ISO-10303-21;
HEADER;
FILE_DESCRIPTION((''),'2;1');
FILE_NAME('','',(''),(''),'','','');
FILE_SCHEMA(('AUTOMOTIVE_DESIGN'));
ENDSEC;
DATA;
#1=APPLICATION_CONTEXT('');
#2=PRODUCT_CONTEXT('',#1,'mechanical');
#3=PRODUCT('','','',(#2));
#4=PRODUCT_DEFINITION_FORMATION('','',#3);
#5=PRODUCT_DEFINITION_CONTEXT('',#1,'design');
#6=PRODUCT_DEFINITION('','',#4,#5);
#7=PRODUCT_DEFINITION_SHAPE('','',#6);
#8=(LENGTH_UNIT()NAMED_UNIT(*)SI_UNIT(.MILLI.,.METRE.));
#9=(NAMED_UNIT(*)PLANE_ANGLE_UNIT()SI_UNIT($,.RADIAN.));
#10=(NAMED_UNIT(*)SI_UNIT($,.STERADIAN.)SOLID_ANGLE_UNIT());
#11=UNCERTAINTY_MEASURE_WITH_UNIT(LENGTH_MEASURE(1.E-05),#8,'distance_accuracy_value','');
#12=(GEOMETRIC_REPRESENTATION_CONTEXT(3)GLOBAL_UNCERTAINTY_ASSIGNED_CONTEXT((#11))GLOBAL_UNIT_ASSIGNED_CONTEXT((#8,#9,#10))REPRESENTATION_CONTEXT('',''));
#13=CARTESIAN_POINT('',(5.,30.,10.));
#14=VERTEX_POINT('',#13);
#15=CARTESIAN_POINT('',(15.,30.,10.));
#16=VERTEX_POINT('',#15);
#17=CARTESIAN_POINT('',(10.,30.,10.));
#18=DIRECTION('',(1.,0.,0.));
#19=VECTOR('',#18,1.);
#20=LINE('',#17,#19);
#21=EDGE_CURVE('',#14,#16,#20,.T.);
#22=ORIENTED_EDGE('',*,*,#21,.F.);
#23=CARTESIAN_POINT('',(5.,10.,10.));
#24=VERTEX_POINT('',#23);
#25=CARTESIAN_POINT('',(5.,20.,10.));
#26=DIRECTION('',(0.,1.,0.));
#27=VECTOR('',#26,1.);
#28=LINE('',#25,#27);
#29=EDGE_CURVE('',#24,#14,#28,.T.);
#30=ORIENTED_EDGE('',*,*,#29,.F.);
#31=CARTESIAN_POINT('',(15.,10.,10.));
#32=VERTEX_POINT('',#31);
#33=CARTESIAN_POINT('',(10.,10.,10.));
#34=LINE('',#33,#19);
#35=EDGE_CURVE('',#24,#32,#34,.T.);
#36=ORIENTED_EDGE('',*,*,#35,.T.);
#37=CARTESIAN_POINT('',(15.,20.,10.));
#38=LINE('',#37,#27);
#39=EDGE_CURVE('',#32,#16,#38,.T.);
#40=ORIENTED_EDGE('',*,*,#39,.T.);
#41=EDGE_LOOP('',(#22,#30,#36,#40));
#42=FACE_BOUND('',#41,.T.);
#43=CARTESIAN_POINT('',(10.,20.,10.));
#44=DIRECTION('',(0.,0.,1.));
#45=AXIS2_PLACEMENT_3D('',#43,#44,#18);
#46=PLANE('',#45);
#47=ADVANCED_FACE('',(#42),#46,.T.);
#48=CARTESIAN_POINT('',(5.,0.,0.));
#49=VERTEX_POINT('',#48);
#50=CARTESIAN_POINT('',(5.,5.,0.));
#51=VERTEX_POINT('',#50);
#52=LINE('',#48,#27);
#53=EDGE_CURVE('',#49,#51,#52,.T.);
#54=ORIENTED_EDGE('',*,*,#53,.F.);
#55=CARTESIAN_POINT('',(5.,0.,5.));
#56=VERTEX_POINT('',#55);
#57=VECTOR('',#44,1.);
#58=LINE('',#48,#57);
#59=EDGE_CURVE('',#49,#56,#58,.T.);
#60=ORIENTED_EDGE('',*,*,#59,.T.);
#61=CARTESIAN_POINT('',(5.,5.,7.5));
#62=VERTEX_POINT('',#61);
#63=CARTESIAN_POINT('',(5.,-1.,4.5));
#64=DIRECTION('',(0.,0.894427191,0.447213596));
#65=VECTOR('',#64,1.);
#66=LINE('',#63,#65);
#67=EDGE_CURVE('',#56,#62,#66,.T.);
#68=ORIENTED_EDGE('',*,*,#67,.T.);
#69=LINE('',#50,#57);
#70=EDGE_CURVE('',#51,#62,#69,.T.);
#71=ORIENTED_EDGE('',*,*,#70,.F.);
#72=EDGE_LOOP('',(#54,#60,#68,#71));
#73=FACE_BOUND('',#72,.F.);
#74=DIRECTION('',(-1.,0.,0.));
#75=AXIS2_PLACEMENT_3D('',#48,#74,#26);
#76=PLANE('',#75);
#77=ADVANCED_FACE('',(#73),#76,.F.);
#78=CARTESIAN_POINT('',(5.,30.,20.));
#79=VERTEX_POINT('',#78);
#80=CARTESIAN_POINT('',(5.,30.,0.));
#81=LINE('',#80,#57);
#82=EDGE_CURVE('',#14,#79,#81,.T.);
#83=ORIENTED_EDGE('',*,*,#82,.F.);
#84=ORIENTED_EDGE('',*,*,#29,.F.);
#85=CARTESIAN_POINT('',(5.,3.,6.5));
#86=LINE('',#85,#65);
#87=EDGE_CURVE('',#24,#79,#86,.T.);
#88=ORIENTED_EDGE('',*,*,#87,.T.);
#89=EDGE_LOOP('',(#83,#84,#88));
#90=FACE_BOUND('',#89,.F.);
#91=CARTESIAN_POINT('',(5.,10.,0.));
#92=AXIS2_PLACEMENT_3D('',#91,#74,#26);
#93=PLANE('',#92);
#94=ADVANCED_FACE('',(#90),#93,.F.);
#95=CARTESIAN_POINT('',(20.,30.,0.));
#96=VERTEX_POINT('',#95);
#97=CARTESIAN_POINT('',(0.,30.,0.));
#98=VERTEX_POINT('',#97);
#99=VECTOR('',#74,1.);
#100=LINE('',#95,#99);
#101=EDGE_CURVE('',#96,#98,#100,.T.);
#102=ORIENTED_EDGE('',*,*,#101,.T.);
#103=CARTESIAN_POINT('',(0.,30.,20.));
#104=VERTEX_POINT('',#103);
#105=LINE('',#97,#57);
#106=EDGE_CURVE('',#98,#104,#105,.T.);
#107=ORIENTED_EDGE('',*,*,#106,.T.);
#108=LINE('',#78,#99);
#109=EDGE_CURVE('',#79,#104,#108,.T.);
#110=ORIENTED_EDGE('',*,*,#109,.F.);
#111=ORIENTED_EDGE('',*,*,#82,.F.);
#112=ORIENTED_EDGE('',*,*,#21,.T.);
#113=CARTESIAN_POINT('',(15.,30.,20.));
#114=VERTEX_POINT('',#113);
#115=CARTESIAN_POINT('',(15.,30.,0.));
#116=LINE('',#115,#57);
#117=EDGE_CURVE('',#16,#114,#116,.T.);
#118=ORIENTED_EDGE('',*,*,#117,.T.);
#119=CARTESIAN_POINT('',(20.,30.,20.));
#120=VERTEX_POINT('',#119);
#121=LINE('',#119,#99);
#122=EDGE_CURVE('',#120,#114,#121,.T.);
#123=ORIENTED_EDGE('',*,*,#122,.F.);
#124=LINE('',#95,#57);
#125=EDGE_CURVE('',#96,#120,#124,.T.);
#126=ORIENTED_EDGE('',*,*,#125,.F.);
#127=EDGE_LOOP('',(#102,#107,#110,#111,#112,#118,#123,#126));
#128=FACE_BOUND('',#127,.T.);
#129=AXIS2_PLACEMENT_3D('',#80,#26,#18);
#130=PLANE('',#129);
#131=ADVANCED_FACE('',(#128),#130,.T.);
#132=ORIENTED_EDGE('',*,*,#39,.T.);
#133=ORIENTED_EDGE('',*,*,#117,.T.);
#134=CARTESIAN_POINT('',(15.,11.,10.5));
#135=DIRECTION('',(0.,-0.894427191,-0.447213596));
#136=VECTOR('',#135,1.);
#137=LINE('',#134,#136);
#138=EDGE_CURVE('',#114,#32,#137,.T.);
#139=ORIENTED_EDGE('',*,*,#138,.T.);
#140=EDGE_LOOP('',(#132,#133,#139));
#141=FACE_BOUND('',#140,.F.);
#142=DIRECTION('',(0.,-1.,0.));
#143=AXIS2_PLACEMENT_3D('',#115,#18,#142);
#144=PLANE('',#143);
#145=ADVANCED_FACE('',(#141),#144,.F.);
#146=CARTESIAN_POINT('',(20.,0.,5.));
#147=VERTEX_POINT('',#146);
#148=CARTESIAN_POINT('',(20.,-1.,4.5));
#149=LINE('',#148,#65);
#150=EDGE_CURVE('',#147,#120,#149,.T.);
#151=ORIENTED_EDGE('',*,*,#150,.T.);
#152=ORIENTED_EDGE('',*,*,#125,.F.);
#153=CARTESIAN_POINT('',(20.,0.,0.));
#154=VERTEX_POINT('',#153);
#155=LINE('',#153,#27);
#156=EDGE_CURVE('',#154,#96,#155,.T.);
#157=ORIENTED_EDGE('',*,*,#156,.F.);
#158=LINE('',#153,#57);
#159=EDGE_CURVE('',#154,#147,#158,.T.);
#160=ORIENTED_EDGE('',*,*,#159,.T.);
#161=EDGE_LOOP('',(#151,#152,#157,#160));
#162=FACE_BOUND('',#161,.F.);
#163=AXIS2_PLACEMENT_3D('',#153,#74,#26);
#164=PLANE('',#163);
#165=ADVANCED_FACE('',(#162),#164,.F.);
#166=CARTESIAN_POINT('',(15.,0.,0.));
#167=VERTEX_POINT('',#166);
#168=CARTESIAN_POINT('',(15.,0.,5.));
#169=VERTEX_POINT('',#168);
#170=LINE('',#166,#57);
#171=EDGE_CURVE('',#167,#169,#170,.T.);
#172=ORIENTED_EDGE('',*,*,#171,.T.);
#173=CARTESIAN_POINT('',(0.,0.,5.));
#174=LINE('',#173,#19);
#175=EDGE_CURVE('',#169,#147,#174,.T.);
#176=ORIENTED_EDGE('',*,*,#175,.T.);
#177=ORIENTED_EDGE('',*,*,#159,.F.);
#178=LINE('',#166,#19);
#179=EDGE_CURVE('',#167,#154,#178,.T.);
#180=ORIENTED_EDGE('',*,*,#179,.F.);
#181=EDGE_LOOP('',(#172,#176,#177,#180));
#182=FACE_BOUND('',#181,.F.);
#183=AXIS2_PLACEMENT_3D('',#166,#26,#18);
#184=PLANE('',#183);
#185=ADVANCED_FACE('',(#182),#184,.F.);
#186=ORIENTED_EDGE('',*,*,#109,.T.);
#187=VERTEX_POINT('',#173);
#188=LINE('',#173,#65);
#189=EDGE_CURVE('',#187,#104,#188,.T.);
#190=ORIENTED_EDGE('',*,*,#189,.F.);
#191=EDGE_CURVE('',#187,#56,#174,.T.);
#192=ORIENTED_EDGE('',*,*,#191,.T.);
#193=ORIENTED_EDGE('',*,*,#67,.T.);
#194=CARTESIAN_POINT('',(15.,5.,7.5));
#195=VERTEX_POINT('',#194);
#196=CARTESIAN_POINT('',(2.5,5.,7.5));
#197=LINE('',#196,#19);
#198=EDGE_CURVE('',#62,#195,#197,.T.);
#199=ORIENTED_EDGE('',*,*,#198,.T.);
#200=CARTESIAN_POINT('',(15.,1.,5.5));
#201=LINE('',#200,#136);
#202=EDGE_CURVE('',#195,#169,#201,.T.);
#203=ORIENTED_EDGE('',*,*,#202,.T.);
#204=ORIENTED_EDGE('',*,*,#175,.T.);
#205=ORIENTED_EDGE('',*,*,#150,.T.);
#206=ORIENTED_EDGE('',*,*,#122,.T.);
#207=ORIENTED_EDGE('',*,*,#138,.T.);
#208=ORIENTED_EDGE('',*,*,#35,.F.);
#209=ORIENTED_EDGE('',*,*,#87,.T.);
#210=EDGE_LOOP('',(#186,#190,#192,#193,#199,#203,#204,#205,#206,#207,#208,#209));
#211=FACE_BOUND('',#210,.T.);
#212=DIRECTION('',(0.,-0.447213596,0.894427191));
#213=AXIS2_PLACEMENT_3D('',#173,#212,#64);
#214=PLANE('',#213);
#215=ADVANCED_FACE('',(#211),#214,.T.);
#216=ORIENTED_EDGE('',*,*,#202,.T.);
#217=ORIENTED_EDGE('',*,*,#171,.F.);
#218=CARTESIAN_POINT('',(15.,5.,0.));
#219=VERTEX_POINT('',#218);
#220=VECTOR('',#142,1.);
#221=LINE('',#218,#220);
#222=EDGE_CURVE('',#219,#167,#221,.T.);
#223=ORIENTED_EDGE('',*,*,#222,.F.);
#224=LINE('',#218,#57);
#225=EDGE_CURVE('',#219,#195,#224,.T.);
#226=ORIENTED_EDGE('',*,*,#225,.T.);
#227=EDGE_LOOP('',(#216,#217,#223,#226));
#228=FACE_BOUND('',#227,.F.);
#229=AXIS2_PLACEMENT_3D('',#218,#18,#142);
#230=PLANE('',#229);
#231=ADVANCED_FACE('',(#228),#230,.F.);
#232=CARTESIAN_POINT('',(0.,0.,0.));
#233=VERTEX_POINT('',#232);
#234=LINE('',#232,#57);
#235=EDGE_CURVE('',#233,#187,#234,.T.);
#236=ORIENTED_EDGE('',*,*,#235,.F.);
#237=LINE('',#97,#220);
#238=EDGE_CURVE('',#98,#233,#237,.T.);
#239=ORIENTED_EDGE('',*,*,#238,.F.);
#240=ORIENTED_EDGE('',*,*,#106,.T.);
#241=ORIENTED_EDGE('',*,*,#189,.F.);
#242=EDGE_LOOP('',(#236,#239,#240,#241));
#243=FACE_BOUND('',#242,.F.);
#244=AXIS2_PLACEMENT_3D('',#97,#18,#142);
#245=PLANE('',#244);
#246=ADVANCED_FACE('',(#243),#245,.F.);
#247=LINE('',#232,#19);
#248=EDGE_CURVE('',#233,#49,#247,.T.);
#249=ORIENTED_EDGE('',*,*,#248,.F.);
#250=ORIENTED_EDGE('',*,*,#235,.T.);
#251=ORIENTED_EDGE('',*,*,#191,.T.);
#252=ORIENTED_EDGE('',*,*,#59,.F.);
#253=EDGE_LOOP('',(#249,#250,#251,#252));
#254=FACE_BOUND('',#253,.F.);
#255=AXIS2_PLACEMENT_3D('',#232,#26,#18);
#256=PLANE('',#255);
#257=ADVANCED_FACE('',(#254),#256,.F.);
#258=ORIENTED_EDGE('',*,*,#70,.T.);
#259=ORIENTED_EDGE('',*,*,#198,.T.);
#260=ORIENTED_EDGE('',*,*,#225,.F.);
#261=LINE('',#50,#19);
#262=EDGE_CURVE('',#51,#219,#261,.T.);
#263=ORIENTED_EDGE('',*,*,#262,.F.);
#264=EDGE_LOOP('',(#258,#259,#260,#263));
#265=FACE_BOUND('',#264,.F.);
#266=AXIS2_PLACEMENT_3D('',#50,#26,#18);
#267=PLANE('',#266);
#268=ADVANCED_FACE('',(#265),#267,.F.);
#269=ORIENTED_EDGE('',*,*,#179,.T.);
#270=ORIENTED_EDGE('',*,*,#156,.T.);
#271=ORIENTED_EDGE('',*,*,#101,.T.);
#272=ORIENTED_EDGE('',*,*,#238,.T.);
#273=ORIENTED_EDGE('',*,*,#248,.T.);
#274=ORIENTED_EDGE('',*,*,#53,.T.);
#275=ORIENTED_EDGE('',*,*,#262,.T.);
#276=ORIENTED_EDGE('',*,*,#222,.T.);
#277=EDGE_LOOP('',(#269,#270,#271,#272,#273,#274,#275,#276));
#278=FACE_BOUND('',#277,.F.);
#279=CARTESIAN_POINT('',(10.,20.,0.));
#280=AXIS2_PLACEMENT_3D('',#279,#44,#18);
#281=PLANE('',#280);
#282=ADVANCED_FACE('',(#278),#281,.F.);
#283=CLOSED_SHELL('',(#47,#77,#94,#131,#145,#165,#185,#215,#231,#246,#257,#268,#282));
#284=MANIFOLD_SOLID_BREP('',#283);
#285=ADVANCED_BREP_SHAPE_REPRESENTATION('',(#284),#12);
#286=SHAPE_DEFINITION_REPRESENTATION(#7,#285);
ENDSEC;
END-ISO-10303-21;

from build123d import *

# Parameters (mm, degrees)
F1_DEPTH = 20
F0_W     = 10
F0_H     = 20
F2_DEPTH = 10
F4_DEPTH = 20.001


with BuildPart() as f1:
    # F0 (on Top) → F1 (new body)
    with BuildSketch(Plane.XY):
        Polygon((0, 30), (0, 0), (5, 0), (5, 5), (15, 5), (15, 0), (20, 0), (20, 30), (15, 30), (15, 10), (5, 10), (5, 30), align=None)
    extrude(amount=F1_DEPTH)

    # F0 (on Top) → F2 (join)
    with BuildSketch(Plane.XY):
        with Locations((10, 20)):
            Rectangle(F0_W, F0_H)
    extrude(amount=F2_DEPTH)

    # F3 (on Right) → F4 (cut, through all)
    with BuildSketch(Plane.YZ):
        Polygon((0, 20), (0, 5), (30, 20), align=None)
    extrude(amount=F4_DEPTH, mode=Mode.SUBTRACT)


solid = f1.part
